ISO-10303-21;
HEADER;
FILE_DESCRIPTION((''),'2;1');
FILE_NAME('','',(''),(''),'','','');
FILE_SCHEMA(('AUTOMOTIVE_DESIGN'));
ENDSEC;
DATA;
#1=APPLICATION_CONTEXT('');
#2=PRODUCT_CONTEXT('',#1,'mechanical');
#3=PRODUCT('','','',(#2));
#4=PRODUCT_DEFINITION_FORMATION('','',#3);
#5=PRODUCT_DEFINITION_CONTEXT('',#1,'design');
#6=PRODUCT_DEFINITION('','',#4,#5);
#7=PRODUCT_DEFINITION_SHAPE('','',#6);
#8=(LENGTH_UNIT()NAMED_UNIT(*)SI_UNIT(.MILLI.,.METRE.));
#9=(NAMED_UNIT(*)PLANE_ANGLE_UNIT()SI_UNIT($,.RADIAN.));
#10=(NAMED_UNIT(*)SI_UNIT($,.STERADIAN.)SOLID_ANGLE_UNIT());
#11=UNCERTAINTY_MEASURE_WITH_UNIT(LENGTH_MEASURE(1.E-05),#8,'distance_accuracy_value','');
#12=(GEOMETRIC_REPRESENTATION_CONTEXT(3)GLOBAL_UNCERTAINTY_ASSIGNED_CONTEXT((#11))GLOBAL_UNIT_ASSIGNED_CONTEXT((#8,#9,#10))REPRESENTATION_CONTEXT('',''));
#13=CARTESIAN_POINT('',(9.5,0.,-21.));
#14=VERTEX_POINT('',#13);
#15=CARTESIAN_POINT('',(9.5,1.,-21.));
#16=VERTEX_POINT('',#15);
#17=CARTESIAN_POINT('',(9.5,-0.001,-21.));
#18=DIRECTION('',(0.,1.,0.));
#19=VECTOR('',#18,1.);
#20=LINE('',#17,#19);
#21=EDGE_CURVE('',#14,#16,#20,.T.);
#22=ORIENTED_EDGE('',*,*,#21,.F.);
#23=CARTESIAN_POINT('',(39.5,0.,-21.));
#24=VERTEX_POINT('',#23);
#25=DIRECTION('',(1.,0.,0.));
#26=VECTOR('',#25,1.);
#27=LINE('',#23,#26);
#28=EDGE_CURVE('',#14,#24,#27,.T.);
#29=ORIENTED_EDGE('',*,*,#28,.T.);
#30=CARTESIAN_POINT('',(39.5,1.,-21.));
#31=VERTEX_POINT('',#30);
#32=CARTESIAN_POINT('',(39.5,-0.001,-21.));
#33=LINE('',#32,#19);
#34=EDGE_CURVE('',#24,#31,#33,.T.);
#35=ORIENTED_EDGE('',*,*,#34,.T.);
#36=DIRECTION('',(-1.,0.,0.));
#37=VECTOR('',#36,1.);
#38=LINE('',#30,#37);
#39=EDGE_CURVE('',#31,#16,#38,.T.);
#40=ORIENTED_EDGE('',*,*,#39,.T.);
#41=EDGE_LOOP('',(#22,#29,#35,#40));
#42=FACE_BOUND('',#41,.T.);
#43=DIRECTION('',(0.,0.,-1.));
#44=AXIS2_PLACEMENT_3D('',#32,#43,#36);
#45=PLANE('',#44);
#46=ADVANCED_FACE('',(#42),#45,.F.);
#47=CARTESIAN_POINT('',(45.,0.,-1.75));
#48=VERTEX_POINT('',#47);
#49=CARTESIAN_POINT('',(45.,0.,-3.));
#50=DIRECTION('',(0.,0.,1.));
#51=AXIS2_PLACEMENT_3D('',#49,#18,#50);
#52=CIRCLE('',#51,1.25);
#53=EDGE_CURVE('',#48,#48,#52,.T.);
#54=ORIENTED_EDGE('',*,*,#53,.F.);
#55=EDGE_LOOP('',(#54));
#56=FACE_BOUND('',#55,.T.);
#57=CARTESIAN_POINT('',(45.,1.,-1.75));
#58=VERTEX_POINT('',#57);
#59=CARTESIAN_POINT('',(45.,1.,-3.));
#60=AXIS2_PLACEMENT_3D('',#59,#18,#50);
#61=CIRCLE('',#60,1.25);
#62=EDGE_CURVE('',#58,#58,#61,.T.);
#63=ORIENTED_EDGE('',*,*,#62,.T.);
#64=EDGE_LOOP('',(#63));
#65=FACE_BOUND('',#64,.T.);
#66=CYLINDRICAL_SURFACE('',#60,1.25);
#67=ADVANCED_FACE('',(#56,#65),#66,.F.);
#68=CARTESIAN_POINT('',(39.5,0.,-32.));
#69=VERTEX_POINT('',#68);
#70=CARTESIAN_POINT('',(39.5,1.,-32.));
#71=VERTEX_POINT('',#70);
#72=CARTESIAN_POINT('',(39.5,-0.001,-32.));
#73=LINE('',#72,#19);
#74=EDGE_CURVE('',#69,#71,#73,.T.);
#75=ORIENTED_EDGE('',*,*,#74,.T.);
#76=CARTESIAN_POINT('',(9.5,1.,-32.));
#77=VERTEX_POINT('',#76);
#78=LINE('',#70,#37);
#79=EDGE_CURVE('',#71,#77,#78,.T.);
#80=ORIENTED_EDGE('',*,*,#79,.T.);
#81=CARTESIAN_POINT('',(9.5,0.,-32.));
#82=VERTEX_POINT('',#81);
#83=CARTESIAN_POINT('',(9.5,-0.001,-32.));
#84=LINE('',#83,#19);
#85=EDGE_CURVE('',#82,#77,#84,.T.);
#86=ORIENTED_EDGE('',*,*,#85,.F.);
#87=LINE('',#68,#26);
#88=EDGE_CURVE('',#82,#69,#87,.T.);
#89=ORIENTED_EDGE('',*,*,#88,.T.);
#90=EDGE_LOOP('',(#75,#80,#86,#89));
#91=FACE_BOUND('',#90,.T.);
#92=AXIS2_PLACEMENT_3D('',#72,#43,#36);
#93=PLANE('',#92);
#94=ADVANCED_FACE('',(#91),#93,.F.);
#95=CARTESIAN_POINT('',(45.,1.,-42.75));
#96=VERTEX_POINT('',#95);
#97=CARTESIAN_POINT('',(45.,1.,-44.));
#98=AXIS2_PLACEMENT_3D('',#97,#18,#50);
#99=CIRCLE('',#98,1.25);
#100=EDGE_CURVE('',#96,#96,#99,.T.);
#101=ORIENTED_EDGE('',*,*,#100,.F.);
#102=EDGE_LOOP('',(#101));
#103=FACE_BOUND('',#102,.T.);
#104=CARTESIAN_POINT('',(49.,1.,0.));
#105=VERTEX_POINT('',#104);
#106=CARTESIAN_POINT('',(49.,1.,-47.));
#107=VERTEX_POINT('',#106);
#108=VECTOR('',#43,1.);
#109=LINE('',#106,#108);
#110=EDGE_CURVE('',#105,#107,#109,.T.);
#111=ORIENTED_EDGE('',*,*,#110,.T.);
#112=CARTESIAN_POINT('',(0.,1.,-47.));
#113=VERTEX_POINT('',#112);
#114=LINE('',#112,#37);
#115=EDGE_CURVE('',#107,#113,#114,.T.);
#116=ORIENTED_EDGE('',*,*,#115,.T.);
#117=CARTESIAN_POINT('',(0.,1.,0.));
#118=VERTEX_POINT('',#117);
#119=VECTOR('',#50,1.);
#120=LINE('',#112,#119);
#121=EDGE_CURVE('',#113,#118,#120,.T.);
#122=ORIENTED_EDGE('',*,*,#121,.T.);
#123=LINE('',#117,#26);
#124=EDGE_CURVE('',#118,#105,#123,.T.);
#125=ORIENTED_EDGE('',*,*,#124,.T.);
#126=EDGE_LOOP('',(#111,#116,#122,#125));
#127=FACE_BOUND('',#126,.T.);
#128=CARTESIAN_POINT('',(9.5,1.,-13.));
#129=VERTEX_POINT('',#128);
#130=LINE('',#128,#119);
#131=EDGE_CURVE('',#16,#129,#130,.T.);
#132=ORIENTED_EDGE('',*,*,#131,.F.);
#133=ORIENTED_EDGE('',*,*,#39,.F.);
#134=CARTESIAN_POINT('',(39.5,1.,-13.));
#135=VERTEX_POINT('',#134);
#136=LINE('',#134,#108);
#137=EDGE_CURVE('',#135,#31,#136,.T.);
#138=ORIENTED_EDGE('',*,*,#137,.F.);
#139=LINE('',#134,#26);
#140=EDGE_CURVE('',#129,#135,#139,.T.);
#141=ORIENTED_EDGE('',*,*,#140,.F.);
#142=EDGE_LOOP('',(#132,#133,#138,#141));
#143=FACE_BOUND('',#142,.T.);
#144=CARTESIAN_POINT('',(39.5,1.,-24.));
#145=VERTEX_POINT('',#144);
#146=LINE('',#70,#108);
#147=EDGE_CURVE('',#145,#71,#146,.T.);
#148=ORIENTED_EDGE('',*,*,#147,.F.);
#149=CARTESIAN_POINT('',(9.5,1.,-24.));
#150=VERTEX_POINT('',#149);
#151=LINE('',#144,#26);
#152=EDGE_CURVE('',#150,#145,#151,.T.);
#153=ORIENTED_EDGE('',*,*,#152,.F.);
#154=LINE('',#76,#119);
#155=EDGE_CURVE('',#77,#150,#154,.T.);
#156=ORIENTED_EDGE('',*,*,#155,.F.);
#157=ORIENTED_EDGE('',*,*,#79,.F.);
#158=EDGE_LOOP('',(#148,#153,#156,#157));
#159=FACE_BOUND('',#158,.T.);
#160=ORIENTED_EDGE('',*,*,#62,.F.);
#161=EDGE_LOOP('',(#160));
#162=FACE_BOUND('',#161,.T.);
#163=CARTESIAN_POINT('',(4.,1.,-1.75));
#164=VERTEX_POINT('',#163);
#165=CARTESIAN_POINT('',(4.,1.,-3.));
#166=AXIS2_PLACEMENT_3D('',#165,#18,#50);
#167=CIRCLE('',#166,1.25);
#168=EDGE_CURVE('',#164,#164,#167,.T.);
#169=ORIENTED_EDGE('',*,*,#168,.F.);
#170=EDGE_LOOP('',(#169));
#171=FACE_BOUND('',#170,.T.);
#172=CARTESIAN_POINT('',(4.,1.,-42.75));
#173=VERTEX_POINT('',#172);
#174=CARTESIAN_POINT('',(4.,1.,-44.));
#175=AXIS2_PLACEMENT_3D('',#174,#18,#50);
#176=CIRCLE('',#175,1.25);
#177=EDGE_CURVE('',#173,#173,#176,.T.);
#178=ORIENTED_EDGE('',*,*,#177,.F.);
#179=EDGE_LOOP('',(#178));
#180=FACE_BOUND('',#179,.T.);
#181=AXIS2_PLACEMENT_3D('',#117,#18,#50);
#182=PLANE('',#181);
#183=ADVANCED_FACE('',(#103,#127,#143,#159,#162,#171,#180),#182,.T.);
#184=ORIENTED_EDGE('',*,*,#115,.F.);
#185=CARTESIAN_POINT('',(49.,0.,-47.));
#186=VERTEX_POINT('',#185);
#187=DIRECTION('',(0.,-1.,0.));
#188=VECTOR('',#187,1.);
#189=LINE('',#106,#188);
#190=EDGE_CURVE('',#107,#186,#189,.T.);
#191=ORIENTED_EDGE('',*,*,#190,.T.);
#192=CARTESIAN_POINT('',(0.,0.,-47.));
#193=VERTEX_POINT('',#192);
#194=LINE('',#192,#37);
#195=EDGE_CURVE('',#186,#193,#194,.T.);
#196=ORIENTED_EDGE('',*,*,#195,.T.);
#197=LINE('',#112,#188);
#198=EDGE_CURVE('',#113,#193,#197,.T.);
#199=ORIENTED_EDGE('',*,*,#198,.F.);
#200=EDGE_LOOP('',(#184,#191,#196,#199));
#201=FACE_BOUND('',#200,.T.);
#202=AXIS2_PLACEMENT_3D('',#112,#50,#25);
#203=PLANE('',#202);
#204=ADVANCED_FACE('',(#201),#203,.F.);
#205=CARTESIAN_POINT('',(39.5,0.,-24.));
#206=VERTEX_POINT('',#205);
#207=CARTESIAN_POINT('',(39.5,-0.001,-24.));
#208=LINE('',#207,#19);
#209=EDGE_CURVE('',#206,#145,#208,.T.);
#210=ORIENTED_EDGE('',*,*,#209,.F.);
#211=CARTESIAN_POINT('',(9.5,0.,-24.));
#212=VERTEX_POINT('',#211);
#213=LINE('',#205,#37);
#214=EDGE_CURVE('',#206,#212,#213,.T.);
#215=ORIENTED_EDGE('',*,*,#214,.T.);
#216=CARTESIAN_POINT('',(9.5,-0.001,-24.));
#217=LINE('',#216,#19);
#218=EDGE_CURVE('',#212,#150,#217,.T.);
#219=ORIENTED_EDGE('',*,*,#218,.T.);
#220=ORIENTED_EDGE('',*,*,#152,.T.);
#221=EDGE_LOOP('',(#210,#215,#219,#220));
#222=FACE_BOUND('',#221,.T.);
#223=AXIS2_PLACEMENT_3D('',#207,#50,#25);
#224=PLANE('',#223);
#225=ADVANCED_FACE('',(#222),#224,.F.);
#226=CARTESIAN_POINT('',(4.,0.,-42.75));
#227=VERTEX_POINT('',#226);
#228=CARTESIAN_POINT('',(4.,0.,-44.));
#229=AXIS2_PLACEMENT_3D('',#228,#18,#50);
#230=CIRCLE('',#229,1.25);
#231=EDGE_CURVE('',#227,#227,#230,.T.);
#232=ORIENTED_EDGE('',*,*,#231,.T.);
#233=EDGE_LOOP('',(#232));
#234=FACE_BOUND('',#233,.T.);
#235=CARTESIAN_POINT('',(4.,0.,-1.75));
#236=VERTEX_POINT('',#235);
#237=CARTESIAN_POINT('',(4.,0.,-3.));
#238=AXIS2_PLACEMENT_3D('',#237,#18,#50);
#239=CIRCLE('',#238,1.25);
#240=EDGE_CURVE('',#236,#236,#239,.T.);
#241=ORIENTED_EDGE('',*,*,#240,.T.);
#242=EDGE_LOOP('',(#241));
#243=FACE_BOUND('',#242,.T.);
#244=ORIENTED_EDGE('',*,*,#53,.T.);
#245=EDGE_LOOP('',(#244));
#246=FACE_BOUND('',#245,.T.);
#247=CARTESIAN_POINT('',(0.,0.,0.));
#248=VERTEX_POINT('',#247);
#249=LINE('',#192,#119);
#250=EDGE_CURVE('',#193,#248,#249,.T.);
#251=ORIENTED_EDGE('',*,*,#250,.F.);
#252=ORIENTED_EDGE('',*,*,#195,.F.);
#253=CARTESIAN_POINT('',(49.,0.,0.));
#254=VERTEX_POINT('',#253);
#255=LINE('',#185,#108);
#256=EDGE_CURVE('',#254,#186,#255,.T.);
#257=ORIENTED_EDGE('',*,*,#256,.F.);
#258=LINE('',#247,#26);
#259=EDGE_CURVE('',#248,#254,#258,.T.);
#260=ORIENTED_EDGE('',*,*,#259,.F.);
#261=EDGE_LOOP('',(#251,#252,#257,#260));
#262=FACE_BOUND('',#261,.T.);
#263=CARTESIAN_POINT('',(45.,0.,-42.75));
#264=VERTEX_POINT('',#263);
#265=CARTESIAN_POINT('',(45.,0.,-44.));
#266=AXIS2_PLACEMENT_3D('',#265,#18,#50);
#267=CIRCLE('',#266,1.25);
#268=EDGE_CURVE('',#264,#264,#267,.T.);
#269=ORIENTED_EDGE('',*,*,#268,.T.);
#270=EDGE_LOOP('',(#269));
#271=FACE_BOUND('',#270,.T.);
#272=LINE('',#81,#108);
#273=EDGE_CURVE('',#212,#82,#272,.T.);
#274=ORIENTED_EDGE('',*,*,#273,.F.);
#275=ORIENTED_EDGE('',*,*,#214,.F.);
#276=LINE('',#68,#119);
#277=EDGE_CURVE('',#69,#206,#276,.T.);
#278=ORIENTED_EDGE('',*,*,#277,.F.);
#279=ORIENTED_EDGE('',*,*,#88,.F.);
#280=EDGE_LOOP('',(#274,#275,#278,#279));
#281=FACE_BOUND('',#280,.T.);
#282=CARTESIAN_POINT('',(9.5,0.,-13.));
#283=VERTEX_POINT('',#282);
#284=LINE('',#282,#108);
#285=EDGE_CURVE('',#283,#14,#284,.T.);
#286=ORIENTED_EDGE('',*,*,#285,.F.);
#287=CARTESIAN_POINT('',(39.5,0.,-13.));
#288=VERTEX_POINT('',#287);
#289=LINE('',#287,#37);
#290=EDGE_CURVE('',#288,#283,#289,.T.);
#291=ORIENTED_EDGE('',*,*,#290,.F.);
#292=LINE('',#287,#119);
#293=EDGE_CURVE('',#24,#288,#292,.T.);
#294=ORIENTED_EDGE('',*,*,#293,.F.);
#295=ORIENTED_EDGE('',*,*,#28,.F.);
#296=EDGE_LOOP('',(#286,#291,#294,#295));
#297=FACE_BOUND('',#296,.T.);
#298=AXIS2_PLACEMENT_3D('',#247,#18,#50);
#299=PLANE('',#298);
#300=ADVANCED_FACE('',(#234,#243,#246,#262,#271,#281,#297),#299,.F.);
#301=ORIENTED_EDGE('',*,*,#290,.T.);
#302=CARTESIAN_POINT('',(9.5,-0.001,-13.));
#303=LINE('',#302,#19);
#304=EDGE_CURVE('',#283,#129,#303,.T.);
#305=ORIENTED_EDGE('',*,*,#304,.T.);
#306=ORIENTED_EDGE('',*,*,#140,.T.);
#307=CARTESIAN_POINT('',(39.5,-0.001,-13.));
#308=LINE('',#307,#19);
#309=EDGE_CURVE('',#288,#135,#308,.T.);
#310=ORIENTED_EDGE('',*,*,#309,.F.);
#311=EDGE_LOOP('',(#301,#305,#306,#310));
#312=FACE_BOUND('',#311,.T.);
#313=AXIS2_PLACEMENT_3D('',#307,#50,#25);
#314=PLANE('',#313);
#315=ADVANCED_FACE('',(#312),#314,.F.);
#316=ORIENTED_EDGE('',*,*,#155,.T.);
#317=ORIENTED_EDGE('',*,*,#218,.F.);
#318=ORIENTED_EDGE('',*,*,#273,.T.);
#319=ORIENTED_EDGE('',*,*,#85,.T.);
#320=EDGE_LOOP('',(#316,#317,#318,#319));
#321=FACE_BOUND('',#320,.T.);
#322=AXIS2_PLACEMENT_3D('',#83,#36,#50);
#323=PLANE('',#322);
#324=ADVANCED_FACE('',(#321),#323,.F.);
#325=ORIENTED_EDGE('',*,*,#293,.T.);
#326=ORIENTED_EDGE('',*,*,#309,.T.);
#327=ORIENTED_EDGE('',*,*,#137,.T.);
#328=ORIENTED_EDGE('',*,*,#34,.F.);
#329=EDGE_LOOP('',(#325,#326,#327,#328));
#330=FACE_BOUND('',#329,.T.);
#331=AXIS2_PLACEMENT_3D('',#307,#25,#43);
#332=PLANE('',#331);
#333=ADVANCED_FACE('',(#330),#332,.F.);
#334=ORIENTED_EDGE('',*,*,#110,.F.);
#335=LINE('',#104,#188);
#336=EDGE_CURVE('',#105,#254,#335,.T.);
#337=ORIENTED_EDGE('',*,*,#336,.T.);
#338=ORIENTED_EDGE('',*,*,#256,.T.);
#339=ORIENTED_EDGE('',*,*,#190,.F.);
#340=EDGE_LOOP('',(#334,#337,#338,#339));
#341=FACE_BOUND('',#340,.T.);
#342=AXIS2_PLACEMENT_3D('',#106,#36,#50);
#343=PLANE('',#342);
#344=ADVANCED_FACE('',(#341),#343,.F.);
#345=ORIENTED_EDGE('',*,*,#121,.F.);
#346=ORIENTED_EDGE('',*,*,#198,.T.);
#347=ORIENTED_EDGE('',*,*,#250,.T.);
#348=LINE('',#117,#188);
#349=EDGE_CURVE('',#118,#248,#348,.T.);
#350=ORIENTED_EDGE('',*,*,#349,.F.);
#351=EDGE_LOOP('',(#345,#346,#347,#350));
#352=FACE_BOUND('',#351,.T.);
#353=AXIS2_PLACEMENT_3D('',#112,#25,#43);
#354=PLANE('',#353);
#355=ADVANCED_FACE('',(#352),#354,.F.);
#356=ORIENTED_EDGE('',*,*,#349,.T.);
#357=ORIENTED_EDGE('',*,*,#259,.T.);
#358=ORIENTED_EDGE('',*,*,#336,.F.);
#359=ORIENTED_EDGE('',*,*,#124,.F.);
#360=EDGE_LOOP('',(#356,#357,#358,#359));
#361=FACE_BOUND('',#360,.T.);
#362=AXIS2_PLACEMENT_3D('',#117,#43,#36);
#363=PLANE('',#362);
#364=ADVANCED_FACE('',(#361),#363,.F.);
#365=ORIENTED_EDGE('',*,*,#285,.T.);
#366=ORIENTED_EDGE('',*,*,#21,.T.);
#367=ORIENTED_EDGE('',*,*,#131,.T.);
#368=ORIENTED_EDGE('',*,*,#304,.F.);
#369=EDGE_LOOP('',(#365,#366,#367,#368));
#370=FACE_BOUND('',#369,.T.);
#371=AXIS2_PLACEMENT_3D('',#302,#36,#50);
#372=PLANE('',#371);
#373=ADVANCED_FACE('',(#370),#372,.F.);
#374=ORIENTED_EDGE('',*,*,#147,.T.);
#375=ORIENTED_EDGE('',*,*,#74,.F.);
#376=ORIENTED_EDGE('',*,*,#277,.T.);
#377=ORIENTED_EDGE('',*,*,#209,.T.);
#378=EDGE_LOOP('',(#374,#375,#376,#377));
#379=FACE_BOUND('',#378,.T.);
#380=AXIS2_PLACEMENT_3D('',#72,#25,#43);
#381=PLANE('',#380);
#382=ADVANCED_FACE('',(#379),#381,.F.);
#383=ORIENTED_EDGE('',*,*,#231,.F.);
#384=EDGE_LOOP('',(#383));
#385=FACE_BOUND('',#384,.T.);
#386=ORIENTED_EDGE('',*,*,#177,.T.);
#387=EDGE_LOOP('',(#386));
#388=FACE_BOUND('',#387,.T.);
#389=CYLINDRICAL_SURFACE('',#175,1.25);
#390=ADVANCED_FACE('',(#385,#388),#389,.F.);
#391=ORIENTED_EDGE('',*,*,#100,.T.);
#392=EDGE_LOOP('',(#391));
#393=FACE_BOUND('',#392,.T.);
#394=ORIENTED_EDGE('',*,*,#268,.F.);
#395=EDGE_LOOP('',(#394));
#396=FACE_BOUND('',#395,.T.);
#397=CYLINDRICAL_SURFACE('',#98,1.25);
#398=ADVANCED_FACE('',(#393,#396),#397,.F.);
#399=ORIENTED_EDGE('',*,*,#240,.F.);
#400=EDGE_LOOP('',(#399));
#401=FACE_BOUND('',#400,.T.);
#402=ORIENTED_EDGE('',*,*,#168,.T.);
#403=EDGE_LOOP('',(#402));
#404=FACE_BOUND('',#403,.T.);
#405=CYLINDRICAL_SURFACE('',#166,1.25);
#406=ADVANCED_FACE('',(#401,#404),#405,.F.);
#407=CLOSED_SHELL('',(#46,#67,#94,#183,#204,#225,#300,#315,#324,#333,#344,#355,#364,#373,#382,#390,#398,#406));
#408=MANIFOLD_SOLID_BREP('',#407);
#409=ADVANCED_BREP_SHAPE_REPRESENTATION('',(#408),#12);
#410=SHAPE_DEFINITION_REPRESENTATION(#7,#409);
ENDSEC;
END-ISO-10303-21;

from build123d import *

# Parameters (mm, degrees)
CROQUIS1_W                                 = 49
CROQUIS1_H                                 = 47
SALIENTE_EXTRUIR1_DEPTH                    = 1
PERFORADOR_PARA_ROSCAR_PARA_MACHO_DE_ROS_D = 2.5
CORTAR_EXTRUIR1_REACH                      = 69.904
CROQUIS5_W                                 = 30
CROQUIS5_H                                 = 8


with BuildPart() as part:
    # Croquis1 → Saliente-Extruir1 (new body)
    with BuildSketch(Plane(origin=(0, 0, 0), x_dir=(1, 0, 0), z_dir=(0, 1, 0))):
        with Locations((24.5, 23.5)):
            Rectangle(CROQUIS1_W, CROQUIS1_H)
    extrude(amount=SALIENTE_EXTRUIR1_DEPTH)

    # Perforador para roscar para macho de roscar para M31 (through all)
    with Locations(Plane(origin=(4, 1, -44), x_dir=(0, 0, 1), z_dir=(0, 1, 0))):
        with Locations((0, 0), (41, 0), (41, 41), (0, 41)):
            Hole(PERFORADOR_PARA_ROSCAR_PARA_MACHO_DE_ROS_D / 2)

    # Croquis5 → Cortar-Extruir1 (cut, up to next)
    with BuildSketch(Plane(origin=(0, 1, 0), x_dir=(1, 0, 0), z_dir=(0, 1, 0)), mode=Mode.PRIVATE) as cortar_extruir1_sk1:
        with Locations((24.5, 17)):
            Rectangle(CROQUIS5_W, CROQUIS5_H)
    cortar_extruir1_tool1 = extrude(cortar_extruir1_sk1.sketch, amount=-CORTAR_EXTRUIR1_REACH, mode=Mode.PRIVATE) & part.part
    # Croquis5 → Cortar-Extruir1 (cut, up to next)
    with BuildSketch(Plane(origin=(0, 1, 0), x_dir=(1, 0, 0), z_dir=(0, 1, 0)), mode=Mode.PRIVATE) as cortar_extruir1_sk2:
        with Locations((24.5, 28)):
            Rectangle(CROQUIS5_W, CROQUIS5_H)
    cortar_extruir1_tool2 = extrude(cortar_extruir1_sk2.sketch, amount=-CORTAR_EXTRUIR1_REACH, mode=Mode.PRIVATE) & part.part
    add(cortar_extruir1_tool1.solids().sort_by_distance((24.5, 1, -17))[0], mode=Mode.SUBTRACT)
    add(cortar_extruir1_tool2.solids().sort_by_distance((24.5, 1, -28))[0], mode=Mode.SUBTRACT)


solid = part.part
